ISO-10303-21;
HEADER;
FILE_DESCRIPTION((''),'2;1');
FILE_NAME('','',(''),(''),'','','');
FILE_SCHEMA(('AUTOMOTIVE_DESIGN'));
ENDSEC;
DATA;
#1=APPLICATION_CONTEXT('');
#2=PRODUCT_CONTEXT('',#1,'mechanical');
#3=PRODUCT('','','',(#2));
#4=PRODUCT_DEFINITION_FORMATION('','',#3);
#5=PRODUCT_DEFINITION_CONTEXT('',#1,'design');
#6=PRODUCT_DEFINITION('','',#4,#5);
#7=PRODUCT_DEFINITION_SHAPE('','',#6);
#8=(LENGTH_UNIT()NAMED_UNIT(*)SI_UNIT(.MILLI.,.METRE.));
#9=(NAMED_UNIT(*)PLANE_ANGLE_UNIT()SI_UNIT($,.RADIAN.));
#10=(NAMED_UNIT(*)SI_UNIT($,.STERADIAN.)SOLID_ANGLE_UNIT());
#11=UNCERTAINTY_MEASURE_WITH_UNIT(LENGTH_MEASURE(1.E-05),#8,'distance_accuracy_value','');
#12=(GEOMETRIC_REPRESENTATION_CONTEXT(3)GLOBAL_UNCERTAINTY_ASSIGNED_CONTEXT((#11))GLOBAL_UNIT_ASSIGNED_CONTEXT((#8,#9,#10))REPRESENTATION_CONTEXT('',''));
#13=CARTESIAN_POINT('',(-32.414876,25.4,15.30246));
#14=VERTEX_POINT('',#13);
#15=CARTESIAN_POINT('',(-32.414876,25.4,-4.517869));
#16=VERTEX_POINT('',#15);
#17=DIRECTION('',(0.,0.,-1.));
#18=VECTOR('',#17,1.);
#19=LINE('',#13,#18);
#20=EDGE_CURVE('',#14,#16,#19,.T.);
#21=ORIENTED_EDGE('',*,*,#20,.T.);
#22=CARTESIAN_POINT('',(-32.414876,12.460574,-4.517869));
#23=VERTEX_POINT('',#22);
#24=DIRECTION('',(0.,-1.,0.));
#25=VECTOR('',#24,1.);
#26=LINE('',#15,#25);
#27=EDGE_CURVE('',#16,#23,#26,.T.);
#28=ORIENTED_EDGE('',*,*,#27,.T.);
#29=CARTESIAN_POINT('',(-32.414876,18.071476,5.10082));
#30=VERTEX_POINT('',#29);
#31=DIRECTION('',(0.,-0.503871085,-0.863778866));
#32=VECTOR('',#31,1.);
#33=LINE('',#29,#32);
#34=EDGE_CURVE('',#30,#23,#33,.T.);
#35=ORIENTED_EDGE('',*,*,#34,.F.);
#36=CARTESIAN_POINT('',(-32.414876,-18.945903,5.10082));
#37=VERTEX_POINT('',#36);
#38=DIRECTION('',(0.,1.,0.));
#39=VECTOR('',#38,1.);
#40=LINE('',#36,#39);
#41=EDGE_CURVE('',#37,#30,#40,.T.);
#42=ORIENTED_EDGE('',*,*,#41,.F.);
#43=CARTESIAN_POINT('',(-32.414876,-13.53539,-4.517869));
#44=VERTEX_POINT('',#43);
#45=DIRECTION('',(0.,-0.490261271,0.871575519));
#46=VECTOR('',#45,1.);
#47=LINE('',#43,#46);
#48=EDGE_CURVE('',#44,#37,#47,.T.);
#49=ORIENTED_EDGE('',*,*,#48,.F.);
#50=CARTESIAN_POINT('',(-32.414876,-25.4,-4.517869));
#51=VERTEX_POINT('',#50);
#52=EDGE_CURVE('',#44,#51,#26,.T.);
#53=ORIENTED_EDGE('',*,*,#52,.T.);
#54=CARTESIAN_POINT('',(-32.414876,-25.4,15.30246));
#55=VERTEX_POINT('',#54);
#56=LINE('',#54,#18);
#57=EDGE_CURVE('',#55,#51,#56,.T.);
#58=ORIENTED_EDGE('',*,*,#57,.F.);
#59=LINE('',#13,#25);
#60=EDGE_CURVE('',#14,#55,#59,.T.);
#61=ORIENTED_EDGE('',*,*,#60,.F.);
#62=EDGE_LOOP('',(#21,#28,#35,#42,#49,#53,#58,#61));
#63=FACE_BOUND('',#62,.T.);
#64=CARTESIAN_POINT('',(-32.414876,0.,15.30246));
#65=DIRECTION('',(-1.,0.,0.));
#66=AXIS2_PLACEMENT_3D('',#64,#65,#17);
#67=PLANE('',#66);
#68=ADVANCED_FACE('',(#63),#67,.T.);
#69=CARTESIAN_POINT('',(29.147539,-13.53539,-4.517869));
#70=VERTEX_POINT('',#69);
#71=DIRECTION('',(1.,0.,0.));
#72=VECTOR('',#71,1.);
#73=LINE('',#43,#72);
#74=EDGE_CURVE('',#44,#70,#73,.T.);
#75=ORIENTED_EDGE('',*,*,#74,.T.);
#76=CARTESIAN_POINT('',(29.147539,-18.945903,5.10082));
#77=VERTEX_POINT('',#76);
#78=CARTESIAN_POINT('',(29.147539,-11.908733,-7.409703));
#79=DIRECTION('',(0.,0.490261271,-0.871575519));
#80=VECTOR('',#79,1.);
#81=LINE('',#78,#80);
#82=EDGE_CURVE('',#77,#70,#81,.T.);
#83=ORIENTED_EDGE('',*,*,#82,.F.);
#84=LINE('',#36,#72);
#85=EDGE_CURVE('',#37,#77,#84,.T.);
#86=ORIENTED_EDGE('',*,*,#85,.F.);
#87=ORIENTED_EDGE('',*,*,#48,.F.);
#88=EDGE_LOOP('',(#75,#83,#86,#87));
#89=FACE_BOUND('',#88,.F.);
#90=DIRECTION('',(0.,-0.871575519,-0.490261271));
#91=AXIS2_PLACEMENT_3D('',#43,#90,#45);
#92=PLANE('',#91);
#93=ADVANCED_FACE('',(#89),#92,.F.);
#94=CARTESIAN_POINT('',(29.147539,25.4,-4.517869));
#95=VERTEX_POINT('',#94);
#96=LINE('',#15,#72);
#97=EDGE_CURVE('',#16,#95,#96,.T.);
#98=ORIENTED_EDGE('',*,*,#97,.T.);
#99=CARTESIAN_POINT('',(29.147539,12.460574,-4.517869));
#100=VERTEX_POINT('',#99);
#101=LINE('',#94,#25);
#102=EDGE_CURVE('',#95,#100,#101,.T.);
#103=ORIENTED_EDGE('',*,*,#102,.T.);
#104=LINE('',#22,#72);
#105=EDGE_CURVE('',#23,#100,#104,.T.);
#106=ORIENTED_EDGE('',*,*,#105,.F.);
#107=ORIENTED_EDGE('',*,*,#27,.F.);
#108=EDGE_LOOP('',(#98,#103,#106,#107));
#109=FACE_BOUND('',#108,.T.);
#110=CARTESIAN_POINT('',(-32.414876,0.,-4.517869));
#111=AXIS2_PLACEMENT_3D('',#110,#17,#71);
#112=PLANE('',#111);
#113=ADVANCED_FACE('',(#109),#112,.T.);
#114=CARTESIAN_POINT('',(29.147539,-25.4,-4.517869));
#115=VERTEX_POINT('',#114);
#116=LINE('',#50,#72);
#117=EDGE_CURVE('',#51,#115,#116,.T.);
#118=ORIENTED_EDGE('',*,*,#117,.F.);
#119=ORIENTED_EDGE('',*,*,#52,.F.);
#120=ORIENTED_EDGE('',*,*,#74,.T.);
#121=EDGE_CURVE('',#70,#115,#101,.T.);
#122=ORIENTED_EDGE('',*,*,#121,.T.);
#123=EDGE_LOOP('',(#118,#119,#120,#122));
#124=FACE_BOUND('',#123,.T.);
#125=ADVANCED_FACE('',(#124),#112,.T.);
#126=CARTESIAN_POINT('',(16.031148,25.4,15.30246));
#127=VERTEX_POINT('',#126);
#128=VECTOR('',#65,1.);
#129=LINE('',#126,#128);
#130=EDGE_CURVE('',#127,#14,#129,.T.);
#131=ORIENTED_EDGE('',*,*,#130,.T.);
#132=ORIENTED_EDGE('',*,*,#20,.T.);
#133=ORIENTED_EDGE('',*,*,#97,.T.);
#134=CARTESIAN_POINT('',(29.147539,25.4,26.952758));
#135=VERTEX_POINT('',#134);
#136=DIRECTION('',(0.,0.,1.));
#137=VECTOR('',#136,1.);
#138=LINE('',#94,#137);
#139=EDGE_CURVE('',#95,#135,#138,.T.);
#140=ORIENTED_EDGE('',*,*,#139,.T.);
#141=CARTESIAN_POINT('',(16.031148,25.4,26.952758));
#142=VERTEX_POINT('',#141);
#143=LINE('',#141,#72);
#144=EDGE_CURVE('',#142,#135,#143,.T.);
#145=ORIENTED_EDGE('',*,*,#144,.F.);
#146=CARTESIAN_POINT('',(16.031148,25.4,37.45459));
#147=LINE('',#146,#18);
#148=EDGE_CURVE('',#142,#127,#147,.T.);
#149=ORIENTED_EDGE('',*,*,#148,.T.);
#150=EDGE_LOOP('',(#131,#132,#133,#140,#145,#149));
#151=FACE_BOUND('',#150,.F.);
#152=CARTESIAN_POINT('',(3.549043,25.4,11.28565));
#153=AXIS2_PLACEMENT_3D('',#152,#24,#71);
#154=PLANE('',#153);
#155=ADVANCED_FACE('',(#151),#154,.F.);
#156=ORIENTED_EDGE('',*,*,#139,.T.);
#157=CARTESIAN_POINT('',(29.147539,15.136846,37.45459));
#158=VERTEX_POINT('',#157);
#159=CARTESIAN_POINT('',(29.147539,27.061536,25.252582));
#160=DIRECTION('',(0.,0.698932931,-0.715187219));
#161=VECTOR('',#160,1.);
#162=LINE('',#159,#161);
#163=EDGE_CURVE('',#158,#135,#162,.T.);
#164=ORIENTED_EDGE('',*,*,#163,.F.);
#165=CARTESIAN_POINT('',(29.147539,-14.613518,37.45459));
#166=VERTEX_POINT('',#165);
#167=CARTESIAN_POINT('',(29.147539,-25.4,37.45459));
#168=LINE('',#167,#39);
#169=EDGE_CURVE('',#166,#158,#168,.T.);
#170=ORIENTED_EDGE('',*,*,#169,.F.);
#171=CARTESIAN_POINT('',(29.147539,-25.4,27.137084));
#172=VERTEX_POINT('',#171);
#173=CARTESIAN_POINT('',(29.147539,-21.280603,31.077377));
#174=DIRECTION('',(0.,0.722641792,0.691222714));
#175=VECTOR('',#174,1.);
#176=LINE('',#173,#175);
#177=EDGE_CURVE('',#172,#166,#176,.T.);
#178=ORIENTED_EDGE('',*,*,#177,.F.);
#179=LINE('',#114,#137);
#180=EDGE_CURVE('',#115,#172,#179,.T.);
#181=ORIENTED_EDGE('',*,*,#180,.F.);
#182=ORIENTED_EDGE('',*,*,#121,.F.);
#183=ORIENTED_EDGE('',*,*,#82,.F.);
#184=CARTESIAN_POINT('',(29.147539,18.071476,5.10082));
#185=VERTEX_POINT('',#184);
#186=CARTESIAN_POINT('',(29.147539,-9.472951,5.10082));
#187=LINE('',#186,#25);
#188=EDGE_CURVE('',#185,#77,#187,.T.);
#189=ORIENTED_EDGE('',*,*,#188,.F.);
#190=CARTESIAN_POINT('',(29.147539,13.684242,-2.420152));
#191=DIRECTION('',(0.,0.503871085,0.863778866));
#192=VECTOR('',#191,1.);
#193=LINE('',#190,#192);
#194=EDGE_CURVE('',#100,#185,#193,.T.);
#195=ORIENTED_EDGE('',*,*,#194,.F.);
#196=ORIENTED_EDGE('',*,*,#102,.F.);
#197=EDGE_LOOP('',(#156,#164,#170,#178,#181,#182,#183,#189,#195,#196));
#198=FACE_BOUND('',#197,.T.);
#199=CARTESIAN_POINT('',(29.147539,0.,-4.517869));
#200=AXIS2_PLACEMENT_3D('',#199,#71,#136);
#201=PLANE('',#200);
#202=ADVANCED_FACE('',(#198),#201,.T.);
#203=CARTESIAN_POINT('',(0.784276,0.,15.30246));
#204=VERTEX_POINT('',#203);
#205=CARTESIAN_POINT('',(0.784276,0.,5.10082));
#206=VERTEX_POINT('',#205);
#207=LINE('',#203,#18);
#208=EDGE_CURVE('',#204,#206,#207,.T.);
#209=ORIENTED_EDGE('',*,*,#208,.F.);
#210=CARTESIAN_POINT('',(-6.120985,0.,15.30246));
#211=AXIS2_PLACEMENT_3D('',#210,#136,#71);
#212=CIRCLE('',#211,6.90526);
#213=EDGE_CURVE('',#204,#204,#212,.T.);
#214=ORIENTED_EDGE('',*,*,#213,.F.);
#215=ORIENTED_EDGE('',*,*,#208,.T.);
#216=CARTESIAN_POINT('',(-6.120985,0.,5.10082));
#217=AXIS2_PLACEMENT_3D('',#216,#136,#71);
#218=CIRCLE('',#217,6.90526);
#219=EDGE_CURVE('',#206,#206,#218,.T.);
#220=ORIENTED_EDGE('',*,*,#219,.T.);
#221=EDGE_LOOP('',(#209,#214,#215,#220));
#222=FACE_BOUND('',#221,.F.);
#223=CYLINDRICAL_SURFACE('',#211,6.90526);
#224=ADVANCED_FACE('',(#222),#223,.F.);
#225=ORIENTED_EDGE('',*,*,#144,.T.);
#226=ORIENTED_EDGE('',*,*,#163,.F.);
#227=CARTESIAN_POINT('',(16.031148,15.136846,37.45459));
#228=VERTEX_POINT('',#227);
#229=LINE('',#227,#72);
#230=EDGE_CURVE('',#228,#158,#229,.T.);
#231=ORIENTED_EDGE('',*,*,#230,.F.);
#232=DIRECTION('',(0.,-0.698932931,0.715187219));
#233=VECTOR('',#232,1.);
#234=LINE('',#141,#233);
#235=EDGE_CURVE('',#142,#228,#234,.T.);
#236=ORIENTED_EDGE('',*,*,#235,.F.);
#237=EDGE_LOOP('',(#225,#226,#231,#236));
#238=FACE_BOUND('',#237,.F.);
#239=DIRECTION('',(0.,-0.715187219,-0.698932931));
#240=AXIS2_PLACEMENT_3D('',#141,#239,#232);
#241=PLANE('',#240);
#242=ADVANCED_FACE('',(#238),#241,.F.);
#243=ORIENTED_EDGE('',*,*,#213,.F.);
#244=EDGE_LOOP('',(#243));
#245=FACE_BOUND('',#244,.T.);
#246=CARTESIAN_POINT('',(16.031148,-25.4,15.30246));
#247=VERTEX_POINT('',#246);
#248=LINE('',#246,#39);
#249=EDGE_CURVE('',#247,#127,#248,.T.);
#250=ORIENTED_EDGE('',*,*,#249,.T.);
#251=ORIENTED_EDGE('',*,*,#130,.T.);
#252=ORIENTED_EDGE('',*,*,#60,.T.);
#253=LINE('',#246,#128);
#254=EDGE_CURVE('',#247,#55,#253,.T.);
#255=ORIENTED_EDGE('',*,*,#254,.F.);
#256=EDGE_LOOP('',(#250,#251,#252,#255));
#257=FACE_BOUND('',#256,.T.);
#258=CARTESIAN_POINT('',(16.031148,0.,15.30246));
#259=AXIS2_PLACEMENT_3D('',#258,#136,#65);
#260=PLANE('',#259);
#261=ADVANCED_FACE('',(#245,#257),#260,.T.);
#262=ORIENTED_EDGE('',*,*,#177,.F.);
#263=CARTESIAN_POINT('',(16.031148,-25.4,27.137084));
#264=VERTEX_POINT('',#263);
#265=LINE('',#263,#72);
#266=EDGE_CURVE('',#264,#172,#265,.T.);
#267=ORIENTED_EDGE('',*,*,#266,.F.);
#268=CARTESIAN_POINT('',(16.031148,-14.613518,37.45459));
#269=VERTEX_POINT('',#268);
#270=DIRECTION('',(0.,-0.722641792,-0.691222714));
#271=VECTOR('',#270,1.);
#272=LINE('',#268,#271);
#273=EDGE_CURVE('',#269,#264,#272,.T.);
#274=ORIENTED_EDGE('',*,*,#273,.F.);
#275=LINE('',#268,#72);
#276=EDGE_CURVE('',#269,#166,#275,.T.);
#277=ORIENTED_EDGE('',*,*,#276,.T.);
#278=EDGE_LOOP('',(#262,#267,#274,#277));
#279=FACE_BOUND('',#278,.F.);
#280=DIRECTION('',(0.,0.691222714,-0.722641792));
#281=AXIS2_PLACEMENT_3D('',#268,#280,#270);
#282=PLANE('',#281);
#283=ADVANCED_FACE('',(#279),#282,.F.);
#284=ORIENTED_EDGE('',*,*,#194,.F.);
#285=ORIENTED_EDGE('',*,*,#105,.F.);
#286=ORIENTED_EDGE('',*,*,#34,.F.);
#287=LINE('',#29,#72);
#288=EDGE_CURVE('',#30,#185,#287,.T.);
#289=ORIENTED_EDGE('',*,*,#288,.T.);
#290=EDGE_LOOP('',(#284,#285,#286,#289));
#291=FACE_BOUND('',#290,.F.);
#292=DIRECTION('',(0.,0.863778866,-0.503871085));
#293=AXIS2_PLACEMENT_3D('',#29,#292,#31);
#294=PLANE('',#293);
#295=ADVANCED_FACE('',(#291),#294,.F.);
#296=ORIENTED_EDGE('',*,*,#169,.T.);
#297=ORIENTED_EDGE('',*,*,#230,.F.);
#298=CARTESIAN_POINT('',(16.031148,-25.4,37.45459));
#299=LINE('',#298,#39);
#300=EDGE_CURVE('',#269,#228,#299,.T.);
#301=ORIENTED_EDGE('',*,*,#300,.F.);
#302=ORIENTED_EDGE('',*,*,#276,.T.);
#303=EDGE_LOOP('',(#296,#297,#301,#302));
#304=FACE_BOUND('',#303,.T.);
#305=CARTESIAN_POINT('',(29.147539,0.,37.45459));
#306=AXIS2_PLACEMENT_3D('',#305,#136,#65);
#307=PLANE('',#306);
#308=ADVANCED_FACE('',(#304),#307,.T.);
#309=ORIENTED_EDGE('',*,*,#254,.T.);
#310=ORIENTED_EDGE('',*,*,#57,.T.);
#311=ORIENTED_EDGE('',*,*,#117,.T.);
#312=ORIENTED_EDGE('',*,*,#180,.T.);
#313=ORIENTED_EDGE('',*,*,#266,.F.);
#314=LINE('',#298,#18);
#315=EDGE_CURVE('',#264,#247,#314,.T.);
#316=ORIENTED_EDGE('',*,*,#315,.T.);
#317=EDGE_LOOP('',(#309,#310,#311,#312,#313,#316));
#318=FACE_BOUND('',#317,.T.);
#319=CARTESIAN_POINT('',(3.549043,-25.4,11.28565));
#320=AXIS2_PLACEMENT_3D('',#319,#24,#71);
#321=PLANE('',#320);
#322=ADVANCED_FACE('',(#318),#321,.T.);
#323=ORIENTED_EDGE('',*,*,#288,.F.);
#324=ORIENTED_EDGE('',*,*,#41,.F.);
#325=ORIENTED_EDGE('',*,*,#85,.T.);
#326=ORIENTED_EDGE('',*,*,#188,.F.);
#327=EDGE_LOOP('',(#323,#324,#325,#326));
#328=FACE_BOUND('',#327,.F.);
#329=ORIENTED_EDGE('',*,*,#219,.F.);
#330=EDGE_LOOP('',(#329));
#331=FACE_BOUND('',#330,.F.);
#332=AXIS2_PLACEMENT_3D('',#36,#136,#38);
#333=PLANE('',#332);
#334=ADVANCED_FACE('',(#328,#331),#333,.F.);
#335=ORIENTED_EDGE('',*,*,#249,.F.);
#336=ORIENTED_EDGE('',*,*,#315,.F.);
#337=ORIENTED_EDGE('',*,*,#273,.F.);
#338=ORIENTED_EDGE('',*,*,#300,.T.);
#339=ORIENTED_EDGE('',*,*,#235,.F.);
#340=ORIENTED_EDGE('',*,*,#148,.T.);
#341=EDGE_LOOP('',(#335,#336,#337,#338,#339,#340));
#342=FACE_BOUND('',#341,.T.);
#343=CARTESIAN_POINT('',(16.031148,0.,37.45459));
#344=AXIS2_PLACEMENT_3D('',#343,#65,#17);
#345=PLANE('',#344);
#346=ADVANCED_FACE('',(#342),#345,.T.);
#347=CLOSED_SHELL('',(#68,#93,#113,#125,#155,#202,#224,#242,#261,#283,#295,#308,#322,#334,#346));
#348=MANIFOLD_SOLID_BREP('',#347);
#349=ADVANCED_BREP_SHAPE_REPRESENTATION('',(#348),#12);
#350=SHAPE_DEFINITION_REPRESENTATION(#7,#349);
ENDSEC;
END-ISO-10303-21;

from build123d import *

# Parameters (mm, degrees)
F1_DEPTH      = 25.4
F1_DEPTH_BACK = 25.4
F3_DEPTH      = 25.4
F5_DEPTH      = 108.204
F6_R          = 6.9052604412
F7_DEPTH      = 25.4


with BuildPart() as f1:
    # F0 (on Front) → F1 (new body, two sides)
    with BuildSketch(Plane.XZ) as f1_sk:
        Polygon((16.0311479121, 15.3024597093), (-32.4148759246, 15.3024597093), (-32.4148759246, -4.5178690925), (29.1475392878, -4.5178690925), (29.1475392878, 37.4545902014), (16.0311479121, 37.4545902014), align=None)
    extrude(amount=F1_DEPTH)
    extrude(f1_sk.sketch, amount=-F1_DEPTH_BACK)

    # F2 (on face) → F3 (cut)
    with BuildSketch(Plane(origin=(16.0311479121, 0, 0), x_dir=(0, -1, 0), z_dir=(-1, 0, 0))):
        Polygon((-25.4, 26.9527581858), (-15.1368464701, 37.4545902014), (-25.4, 37.4545902014), align=None)
        Polygon((25.4, 37.4545902014), (14.6135179795, 37.4545902014), (25.4, 27.1370837055), align=None)
    extrude(amount=-F3_DEPTH, mode=Mode.SUBTRACT)

    # F4 (on face) → F5 (cut)
    with BuildSketch(Plane(origin=(-32.4148759246, 0, 0), x_dir=(0, -1, 0), z_dir=(-1, 0, 0))):
        Polygon((13.535389653, -4.5178690925), (18.945902586, 5.1008197479), (-18.0714763701, 5.1008197479), (-12.4605736661, -4.5178690925), align=None)
    extrude(amount=-F5_DEPTH, mode=Mode.SUBTRACT)

    # F6 (on face) → F7 (cut)
    with BuildSketch(Plane.XY.offset(15.3024597093)):
        with Locations((-6.1209849082, 0)):
            Circle(F6_R)
    extrude(amount=-F7_DEPTH, mode=Mode.SUBTRACT)


solid = f1.part
